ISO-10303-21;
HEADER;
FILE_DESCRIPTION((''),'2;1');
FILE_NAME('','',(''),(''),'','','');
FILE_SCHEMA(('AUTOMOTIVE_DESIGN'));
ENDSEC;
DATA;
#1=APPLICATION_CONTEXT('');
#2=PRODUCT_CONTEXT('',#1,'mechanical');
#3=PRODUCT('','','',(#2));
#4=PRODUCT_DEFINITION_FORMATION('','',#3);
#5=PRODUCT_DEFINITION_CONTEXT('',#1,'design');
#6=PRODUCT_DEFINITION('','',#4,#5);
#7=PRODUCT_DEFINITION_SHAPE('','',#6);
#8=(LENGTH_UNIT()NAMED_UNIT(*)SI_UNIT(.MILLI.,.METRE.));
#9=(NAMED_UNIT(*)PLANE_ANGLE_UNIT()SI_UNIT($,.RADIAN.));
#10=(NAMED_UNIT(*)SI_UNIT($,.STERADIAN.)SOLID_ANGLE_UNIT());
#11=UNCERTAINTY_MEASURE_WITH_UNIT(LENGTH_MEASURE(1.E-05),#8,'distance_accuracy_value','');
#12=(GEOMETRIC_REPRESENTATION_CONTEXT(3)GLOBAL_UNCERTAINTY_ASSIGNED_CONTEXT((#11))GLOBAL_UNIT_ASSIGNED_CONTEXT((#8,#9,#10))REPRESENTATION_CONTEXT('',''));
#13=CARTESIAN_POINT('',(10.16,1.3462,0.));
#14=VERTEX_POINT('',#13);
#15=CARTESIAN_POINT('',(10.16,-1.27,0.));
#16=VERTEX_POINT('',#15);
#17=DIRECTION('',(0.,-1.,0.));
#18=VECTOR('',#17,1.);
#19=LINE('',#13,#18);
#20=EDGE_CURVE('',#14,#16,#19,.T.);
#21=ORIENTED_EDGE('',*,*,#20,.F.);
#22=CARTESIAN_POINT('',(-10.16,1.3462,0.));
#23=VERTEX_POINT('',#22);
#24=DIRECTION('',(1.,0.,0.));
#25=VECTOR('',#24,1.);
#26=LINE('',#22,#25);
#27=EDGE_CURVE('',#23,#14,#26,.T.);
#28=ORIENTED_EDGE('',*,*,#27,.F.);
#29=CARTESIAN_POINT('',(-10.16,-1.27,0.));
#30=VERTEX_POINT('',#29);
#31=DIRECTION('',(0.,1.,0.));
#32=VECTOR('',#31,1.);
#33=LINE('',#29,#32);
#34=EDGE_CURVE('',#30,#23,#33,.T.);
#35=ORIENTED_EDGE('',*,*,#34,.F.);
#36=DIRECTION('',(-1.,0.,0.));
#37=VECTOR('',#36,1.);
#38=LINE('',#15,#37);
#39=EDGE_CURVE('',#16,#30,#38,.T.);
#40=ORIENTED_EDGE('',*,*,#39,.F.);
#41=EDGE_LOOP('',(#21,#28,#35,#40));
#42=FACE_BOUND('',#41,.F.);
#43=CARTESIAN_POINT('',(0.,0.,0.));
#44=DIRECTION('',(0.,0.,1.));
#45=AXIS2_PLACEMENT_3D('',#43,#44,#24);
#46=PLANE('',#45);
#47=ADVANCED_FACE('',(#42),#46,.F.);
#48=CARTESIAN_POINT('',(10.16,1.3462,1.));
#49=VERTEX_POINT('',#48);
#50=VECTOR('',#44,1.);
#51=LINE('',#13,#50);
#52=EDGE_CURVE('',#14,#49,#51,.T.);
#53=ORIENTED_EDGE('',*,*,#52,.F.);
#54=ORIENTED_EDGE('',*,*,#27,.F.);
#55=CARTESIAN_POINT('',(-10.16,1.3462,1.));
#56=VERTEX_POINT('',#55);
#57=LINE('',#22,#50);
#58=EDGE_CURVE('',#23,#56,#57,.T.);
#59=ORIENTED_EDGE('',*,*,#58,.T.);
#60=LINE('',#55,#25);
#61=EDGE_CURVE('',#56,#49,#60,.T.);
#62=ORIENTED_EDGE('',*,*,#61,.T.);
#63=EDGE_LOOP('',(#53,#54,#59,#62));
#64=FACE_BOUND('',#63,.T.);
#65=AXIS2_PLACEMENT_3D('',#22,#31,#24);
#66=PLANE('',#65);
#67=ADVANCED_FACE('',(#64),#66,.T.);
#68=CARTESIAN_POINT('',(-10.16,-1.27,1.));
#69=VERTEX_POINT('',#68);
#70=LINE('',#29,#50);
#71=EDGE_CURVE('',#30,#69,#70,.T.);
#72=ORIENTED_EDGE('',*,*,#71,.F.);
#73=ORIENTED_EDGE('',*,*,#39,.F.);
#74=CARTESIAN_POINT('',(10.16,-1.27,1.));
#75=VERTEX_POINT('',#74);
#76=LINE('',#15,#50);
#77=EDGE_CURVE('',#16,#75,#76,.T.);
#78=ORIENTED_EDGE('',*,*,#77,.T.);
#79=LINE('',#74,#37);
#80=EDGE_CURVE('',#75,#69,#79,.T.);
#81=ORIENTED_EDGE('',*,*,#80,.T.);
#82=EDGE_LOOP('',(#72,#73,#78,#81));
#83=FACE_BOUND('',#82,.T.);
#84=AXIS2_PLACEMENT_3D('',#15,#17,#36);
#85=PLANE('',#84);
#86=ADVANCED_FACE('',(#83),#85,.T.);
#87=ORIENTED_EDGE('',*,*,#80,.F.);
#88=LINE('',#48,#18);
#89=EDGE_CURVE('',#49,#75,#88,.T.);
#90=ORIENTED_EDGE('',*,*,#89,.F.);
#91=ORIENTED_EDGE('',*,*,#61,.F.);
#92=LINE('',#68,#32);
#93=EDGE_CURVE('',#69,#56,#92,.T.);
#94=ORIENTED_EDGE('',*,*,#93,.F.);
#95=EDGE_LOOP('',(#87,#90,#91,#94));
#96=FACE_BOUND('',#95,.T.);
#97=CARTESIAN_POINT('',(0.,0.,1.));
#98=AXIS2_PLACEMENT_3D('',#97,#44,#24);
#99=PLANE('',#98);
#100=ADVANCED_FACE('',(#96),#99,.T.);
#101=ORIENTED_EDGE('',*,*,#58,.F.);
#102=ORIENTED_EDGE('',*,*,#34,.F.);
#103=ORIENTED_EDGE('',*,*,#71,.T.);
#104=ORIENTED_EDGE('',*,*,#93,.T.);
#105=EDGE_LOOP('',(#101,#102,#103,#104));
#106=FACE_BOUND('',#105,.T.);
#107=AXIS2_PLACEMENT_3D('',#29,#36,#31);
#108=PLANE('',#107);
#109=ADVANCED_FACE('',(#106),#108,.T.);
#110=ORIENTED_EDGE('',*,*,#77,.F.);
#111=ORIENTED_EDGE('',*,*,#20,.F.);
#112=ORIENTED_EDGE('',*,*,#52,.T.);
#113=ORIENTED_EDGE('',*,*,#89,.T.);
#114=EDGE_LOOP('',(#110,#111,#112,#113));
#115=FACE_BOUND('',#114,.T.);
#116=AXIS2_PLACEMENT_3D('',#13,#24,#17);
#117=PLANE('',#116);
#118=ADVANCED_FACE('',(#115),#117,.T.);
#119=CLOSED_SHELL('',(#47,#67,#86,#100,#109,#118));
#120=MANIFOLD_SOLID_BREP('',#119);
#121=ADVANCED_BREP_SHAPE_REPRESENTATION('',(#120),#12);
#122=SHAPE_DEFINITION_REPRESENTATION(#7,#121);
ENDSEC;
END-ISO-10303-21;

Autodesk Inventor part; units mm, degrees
ref_plane "YZ Plane" through (0, 0, 0) normal (1, 0, 0) x (0, 1, 0)
ref_plane "XZ Plane" through (0, 0, 0) normal (0, 1, 0) x (-1, 0, 0)
ref_plane "XY Plane" through (0, 0, 0) normal (0, 0, 1) x (1, 0, 0)
sketch "1X08, 1X08_14" plane through (0, 0, 0) normal (0, 0, 1) x (1, 0, 0)
  line L0 (-10.16, 1.3462) -> (10.16, 1.3462)
  line L1 (10.16, 1.3462) -> (10.16, -1.27)
  line L2 (10.16, -1.27) -> (-10.16, -1.27)
  line L3 (-10.16, -1.27) -> (-10.16, 1.3462)
extrude "Extrusion1" add sketch "1X08, 1X08_14" along normal blind 1
properties part number "1X08"
